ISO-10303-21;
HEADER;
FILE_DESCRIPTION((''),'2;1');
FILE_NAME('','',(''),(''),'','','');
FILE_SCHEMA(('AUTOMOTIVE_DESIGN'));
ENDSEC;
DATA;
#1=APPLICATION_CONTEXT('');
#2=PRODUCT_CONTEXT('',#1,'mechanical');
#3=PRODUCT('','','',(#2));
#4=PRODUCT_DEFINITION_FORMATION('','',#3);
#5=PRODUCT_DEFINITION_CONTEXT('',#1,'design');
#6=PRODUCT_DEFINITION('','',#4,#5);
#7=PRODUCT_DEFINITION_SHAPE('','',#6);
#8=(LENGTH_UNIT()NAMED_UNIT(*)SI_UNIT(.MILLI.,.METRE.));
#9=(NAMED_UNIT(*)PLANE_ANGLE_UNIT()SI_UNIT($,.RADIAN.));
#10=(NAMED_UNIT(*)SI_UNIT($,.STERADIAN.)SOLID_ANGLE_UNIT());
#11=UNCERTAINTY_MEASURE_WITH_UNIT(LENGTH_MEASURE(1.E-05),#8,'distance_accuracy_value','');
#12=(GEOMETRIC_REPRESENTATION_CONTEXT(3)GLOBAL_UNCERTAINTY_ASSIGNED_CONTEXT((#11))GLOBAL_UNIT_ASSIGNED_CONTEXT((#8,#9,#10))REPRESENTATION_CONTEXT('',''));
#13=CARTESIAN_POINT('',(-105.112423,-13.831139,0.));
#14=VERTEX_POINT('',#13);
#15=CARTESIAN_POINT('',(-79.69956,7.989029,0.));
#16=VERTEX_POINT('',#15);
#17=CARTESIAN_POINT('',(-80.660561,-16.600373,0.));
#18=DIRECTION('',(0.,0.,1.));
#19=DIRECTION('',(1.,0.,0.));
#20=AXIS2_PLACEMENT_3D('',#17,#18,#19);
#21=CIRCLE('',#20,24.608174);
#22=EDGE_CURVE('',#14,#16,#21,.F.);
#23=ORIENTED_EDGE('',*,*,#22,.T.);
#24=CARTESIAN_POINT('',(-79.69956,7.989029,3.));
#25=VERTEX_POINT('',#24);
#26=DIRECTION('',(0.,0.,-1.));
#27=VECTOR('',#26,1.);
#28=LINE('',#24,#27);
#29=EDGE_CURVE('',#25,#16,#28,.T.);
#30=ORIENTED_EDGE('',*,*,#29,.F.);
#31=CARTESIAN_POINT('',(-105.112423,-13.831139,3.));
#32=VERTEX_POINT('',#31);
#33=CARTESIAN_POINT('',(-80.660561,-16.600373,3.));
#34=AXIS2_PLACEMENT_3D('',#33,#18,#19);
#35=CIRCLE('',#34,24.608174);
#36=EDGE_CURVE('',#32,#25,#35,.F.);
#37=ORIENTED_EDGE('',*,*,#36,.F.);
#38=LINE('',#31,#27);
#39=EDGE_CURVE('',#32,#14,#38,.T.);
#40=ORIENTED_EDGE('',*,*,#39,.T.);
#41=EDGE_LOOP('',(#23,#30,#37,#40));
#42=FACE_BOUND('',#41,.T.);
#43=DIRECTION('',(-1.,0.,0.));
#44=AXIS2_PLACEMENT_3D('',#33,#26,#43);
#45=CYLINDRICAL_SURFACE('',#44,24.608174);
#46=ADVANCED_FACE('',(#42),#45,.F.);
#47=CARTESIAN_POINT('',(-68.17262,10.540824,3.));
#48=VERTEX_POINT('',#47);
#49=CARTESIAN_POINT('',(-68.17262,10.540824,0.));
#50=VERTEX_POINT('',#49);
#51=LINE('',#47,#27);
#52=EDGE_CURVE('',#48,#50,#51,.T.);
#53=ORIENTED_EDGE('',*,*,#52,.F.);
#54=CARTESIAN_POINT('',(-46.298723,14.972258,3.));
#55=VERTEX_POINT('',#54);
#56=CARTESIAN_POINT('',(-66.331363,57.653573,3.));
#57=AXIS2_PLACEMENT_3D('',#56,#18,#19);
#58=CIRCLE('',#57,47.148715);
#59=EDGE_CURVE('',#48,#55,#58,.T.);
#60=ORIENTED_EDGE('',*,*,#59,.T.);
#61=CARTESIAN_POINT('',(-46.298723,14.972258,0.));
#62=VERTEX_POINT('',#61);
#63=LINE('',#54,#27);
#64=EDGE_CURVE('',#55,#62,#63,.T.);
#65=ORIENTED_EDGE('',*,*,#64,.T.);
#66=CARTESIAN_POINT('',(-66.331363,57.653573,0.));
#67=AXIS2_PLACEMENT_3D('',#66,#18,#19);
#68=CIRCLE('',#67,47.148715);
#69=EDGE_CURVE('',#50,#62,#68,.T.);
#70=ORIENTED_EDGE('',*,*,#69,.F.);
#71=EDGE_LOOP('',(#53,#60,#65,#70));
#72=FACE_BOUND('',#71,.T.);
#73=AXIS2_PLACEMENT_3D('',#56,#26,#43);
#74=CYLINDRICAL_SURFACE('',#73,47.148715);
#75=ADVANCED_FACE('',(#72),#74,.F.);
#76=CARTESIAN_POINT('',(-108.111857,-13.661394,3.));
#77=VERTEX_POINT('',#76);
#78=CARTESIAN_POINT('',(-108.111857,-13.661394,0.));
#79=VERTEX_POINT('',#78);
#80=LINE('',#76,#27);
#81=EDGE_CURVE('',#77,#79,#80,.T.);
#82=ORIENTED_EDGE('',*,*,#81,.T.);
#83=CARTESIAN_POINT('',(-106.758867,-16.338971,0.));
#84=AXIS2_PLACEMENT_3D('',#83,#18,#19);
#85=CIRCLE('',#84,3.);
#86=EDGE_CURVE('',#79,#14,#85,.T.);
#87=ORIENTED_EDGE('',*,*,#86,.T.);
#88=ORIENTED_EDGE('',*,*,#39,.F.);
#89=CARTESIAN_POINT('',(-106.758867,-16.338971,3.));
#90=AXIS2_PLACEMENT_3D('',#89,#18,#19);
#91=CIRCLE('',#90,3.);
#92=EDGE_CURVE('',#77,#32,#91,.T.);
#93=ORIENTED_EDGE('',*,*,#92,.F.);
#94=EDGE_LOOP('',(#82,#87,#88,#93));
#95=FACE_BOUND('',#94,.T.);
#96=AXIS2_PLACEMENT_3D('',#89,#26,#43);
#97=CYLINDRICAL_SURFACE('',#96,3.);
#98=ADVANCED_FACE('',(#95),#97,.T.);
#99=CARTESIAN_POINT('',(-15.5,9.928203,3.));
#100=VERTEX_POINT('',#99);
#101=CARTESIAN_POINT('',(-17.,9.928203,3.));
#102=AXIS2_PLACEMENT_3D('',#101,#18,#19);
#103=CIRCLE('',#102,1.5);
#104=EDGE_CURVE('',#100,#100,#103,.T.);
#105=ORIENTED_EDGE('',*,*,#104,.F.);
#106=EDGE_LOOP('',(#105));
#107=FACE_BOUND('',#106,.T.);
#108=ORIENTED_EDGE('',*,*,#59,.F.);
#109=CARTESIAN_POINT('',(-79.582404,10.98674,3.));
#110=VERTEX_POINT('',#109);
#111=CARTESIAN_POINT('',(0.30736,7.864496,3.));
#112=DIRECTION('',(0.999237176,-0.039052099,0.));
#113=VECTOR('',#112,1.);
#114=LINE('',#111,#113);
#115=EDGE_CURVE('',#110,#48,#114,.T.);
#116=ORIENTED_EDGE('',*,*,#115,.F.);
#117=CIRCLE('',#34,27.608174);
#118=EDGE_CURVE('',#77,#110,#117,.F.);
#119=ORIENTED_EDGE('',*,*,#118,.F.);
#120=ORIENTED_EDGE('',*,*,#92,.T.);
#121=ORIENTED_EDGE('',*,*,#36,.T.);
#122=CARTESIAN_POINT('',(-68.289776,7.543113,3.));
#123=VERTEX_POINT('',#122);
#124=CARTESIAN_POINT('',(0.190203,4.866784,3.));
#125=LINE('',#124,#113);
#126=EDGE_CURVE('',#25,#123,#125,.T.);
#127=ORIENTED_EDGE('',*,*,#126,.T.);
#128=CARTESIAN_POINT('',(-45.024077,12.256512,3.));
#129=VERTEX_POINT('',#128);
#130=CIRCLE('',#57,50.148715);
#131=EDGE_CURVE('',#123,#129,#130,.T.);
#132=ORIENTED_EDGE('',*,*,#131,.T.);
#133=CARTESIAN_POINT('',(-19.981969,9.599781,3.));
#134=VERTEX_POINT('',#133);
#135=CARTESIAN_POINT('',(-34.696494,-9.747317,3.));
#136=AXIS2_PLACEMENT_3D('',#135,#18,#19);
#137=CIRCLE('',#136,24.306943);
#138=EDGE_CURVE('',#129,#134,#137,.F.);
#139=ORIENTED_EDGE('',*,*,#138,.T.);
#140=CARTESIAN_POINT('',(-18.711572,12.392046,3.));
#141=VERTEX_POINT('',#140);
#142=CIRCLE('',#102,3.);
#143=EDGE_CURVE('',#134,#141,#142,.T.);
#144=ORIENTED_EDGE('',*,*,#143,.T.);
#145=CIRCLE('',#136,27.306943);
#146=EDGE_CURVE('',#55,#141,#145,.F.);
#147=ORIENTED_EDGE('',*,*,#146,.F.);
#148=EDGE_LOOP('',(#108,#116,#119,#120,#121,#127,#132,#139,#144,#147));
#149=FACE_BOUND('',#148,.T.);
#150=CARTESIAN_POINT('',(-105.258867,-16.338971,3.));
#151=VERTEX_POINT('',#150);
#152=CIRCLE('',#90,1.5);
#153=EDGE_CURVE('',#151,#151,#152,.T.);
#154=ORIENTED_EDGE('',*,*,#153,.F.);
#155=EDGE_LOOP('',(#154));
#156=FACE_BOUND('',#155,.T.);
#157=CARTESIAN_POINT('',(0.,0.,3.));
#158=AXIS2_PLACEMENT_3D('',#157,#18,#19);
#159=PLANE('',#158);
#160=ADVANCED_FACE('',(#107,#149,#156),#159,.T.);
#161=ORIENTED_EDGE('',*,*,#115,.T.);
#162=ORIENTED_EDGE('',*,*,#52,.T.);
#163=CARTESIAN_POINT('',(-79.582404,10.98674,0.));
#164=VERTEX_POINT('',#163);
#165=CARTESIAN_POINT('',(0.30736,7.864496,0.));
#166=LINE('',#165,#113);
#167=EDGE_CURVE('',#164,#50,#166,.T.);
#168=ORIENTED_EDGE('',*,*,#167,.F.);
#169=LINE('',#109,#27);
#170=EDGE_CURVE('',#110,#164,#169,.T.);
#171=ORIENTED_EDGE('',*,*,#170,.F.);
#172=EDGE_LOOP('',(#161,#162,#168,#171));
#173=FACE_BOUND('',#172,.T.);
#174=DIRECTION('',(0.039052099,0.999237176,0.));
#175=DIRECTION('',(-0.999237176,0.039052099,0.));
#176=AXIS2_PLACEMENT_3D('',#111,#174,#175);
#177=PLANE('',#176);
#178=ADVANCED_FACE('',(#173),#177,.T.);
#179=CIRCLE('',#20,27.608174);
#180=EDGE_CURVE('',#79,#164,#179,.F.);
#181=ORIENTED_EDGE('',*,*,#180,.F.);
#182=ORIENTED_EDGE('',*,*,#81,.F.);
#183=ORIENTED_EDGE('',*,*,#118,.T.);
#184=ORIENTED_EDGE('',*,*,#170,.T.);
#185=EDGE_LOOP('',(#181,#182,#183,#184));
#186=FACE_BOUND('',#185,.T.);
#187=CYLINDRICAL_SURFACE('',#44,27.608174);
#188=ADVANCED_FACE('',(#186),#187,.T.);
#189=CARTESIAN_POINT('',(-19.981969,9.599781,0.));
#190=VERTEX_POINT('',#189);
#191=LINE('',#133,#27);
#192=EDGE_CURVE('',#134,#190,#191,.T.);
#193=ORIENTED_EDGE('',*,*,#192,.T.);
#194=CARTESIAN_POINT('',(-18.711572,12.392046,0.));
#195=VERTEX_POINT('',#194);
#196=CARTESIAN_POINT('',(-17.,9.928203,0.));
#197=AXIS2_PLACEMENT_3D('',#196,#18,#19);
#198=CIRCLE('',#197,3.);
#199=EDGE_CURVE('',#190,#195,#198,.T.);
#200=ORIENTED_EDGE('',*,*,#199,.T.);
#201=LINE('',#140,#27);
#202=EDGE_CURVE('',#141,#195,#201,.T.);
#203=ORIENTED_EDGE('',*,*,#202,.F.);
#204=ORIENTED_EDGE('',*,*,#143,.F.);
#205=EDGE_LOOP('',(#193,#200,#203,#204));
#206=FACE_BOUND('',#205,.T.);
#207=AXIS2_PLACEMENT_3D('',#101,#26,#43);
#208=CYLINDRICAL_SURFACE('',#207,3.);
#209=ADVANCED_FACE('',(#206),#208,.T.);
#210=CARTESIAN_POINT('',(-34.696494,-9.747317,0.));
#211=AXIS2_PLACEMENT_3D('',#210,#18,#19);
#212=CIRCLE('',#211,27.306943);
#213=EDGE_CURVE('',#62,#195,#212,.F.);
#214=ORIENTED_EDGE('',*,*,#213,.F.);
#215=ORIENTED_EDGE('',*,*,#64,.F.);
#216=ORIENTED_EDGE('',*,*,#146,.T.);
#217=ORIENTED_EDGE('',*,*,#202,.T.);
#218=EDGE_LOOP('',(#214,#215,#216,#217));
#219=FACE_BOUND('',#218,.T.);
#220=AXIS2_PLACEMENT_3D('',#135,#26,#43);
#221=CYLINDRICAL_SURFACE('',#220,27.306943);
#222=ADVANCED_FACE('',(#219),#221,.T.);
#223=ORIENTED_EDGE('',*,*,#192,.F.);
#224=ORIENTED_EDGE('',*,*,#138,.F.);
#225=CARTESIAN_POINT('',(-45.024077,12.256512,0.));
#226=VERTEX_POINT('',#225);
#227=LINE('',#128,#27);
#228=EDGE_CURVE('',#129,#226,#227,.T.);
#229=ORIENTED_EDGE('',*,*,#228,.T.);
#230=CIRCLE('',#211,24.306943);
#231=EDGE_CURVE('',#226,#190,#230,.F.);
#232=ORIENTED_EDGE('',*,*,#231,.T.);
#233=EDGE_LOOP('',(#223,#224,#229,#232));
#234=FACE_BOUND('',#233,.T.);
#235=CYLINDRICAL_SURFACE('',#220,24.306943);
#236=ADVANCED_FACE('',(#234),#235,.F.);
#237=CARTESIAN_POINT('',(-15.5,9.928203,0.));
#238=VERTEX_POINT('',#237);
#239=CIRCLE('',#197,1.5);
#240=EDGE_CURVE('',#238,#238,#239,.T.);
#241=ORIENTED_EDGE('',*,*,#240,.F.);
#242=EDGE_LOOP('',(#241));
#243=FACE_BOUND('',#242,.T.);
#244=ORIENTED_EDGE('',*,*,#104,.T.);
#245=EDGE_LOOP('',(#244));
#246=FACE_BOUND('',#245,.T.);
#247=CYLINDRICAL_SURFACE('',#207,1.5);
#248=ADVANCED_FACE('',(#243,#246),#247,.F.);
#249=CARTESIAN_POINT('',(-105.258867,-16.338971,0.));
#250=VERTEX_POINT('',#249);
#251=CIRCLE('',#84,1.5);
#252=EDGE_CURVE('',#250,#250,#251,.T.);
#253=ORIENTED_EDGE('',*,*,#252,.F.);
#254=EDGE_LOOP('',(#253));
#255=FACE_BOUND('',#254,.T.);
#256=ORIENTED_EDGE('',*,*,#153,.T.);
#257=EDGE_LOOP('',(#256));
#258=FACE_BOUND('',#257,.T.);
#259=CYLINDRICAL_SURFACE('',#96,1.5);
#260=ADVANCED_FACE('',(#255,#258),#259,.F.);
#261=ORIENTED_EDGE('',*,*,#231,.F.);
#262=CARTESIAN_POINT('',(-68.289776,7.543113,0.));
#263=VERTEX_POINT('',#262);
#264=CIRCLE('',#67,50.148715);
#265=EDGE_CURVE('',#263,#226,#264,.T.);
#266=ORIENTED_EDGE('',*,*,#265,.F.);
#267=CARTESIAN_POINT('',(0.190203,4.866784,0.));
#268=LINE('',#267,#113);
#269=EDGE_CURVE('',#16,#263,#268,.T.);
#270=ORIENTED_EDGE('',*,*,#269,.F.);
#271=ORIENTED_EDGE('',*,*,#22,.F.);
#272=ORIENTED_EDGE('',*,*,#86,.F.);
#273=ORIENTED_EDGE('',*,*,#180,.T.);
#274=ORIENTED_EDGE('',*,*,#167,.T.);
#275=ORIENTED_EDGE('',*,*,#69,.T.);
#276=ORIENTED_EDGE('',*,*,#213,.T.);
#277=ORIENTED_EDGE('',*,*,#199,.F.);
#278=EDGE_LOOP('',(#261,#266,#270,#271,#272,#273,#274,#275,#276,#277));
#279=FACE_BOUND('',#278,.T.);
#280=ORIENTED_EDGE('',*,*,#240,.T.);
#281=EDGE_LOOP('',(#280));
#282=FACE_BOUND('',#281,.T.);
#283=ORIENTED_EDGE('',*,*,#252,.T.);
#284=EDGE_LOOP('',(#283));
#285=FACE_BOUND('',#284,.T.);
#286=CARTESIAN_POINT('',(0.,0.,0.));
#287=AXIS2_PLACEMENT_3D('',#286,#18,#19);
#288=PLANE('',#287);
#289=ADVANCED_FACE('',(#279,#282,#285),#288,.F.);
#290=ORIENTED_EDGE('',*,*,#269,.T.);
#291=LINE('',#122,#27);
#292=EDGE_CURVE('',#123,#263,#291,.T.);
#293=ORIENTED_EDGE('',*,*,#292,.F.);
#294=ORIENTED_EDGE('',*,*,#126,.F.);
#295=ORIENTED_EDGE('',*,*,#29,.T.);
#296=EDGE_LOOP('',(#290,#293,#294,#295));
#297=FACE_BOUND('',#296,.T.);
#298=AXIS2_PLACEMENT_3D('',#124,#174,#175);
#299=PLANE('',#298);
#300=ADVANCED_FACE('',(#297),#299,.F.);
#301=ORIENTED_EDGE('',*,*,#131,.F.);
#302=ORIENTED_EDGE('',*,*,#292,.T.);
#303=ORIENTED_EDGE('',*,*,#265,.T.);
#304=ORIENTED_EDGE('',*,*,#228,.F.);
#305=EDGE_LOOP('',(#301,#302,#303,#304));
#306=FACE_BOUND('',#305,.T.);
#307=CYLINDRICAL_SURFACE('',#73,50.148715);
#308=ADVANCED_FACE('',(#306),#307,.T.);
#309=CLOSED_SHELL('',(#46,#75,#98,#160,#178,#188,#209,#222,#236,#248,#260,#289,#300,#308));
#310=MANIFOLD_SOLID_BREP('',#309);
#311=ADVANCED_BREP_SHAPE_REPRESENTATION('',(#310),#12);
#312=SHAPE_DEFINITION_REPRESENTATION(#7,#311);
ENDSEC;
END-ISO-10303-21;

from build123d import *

# Parameters (mm, degrees)
SKETCH1_R           = 1.5
BOSS_EXTRUDE1_DEPTH = 3


with BuildPart() as part:
    # Sketch1 → Boss-Extrude1 (new body)
    with BuildSketch(Plane.XY):
        with BuildLine():
            ThreePointArc((-105.112423116, -13.831138676), (-96.691314892, 2.069847591), (-79.69956033, 7.989028691))
            Line((-79.69956033, 7.989028691), (-68.289776062, 7.543112506))
            ThreePointArc((-68.289776062, 7.543112506), (-56.37401605, 8.503345495), (-45.024076574, 12.256511885))
            ThreePointArc((-45.024076574, 12.256511885), (-32.132147942, 14.423979547), (-19.981968964, 9.599781095))
            ThreePointArc((-19.981968964, 9.599781095), (-14.269337445, 8.685833715), (-18.71157232, 12.392045797))
            ThreePointArc((-18.71157232, 12.392045797), (-32.153587478, 17.440965919), (-46.2987226, 14.9722581))
            ThreePointArc((-46.2987226, 14.9722581), (-56.969685192, 11.443613896), (-68.172619764, 10.540824034))
            Line((-68.172619764, 10.540824034), (-79.582404032, 10.986740218))
            ThreePointArc((-79.582404032, 10.986740218), (-98.709612397, 4.290845071), (-108.111857285, -13.661394421))
            ThreePointArc((-108.111857285, -13.661394421), (-106.928371833, -19.334178574), (-105.112423116, -13.831138676))
        make_face()
        with Locations((-106.758866773, -16.338971063)):
            Circle(SKETCH1_R, mode=Mode.SUBTRACT)
        with Locations((-17, 9.92820323)):
            Circle(SKETCH1_R, mode=Mode.SUBTRACT)
    extrude(amount=BOSS_EXTRUDE1_DEPTH)


solid = part.part
